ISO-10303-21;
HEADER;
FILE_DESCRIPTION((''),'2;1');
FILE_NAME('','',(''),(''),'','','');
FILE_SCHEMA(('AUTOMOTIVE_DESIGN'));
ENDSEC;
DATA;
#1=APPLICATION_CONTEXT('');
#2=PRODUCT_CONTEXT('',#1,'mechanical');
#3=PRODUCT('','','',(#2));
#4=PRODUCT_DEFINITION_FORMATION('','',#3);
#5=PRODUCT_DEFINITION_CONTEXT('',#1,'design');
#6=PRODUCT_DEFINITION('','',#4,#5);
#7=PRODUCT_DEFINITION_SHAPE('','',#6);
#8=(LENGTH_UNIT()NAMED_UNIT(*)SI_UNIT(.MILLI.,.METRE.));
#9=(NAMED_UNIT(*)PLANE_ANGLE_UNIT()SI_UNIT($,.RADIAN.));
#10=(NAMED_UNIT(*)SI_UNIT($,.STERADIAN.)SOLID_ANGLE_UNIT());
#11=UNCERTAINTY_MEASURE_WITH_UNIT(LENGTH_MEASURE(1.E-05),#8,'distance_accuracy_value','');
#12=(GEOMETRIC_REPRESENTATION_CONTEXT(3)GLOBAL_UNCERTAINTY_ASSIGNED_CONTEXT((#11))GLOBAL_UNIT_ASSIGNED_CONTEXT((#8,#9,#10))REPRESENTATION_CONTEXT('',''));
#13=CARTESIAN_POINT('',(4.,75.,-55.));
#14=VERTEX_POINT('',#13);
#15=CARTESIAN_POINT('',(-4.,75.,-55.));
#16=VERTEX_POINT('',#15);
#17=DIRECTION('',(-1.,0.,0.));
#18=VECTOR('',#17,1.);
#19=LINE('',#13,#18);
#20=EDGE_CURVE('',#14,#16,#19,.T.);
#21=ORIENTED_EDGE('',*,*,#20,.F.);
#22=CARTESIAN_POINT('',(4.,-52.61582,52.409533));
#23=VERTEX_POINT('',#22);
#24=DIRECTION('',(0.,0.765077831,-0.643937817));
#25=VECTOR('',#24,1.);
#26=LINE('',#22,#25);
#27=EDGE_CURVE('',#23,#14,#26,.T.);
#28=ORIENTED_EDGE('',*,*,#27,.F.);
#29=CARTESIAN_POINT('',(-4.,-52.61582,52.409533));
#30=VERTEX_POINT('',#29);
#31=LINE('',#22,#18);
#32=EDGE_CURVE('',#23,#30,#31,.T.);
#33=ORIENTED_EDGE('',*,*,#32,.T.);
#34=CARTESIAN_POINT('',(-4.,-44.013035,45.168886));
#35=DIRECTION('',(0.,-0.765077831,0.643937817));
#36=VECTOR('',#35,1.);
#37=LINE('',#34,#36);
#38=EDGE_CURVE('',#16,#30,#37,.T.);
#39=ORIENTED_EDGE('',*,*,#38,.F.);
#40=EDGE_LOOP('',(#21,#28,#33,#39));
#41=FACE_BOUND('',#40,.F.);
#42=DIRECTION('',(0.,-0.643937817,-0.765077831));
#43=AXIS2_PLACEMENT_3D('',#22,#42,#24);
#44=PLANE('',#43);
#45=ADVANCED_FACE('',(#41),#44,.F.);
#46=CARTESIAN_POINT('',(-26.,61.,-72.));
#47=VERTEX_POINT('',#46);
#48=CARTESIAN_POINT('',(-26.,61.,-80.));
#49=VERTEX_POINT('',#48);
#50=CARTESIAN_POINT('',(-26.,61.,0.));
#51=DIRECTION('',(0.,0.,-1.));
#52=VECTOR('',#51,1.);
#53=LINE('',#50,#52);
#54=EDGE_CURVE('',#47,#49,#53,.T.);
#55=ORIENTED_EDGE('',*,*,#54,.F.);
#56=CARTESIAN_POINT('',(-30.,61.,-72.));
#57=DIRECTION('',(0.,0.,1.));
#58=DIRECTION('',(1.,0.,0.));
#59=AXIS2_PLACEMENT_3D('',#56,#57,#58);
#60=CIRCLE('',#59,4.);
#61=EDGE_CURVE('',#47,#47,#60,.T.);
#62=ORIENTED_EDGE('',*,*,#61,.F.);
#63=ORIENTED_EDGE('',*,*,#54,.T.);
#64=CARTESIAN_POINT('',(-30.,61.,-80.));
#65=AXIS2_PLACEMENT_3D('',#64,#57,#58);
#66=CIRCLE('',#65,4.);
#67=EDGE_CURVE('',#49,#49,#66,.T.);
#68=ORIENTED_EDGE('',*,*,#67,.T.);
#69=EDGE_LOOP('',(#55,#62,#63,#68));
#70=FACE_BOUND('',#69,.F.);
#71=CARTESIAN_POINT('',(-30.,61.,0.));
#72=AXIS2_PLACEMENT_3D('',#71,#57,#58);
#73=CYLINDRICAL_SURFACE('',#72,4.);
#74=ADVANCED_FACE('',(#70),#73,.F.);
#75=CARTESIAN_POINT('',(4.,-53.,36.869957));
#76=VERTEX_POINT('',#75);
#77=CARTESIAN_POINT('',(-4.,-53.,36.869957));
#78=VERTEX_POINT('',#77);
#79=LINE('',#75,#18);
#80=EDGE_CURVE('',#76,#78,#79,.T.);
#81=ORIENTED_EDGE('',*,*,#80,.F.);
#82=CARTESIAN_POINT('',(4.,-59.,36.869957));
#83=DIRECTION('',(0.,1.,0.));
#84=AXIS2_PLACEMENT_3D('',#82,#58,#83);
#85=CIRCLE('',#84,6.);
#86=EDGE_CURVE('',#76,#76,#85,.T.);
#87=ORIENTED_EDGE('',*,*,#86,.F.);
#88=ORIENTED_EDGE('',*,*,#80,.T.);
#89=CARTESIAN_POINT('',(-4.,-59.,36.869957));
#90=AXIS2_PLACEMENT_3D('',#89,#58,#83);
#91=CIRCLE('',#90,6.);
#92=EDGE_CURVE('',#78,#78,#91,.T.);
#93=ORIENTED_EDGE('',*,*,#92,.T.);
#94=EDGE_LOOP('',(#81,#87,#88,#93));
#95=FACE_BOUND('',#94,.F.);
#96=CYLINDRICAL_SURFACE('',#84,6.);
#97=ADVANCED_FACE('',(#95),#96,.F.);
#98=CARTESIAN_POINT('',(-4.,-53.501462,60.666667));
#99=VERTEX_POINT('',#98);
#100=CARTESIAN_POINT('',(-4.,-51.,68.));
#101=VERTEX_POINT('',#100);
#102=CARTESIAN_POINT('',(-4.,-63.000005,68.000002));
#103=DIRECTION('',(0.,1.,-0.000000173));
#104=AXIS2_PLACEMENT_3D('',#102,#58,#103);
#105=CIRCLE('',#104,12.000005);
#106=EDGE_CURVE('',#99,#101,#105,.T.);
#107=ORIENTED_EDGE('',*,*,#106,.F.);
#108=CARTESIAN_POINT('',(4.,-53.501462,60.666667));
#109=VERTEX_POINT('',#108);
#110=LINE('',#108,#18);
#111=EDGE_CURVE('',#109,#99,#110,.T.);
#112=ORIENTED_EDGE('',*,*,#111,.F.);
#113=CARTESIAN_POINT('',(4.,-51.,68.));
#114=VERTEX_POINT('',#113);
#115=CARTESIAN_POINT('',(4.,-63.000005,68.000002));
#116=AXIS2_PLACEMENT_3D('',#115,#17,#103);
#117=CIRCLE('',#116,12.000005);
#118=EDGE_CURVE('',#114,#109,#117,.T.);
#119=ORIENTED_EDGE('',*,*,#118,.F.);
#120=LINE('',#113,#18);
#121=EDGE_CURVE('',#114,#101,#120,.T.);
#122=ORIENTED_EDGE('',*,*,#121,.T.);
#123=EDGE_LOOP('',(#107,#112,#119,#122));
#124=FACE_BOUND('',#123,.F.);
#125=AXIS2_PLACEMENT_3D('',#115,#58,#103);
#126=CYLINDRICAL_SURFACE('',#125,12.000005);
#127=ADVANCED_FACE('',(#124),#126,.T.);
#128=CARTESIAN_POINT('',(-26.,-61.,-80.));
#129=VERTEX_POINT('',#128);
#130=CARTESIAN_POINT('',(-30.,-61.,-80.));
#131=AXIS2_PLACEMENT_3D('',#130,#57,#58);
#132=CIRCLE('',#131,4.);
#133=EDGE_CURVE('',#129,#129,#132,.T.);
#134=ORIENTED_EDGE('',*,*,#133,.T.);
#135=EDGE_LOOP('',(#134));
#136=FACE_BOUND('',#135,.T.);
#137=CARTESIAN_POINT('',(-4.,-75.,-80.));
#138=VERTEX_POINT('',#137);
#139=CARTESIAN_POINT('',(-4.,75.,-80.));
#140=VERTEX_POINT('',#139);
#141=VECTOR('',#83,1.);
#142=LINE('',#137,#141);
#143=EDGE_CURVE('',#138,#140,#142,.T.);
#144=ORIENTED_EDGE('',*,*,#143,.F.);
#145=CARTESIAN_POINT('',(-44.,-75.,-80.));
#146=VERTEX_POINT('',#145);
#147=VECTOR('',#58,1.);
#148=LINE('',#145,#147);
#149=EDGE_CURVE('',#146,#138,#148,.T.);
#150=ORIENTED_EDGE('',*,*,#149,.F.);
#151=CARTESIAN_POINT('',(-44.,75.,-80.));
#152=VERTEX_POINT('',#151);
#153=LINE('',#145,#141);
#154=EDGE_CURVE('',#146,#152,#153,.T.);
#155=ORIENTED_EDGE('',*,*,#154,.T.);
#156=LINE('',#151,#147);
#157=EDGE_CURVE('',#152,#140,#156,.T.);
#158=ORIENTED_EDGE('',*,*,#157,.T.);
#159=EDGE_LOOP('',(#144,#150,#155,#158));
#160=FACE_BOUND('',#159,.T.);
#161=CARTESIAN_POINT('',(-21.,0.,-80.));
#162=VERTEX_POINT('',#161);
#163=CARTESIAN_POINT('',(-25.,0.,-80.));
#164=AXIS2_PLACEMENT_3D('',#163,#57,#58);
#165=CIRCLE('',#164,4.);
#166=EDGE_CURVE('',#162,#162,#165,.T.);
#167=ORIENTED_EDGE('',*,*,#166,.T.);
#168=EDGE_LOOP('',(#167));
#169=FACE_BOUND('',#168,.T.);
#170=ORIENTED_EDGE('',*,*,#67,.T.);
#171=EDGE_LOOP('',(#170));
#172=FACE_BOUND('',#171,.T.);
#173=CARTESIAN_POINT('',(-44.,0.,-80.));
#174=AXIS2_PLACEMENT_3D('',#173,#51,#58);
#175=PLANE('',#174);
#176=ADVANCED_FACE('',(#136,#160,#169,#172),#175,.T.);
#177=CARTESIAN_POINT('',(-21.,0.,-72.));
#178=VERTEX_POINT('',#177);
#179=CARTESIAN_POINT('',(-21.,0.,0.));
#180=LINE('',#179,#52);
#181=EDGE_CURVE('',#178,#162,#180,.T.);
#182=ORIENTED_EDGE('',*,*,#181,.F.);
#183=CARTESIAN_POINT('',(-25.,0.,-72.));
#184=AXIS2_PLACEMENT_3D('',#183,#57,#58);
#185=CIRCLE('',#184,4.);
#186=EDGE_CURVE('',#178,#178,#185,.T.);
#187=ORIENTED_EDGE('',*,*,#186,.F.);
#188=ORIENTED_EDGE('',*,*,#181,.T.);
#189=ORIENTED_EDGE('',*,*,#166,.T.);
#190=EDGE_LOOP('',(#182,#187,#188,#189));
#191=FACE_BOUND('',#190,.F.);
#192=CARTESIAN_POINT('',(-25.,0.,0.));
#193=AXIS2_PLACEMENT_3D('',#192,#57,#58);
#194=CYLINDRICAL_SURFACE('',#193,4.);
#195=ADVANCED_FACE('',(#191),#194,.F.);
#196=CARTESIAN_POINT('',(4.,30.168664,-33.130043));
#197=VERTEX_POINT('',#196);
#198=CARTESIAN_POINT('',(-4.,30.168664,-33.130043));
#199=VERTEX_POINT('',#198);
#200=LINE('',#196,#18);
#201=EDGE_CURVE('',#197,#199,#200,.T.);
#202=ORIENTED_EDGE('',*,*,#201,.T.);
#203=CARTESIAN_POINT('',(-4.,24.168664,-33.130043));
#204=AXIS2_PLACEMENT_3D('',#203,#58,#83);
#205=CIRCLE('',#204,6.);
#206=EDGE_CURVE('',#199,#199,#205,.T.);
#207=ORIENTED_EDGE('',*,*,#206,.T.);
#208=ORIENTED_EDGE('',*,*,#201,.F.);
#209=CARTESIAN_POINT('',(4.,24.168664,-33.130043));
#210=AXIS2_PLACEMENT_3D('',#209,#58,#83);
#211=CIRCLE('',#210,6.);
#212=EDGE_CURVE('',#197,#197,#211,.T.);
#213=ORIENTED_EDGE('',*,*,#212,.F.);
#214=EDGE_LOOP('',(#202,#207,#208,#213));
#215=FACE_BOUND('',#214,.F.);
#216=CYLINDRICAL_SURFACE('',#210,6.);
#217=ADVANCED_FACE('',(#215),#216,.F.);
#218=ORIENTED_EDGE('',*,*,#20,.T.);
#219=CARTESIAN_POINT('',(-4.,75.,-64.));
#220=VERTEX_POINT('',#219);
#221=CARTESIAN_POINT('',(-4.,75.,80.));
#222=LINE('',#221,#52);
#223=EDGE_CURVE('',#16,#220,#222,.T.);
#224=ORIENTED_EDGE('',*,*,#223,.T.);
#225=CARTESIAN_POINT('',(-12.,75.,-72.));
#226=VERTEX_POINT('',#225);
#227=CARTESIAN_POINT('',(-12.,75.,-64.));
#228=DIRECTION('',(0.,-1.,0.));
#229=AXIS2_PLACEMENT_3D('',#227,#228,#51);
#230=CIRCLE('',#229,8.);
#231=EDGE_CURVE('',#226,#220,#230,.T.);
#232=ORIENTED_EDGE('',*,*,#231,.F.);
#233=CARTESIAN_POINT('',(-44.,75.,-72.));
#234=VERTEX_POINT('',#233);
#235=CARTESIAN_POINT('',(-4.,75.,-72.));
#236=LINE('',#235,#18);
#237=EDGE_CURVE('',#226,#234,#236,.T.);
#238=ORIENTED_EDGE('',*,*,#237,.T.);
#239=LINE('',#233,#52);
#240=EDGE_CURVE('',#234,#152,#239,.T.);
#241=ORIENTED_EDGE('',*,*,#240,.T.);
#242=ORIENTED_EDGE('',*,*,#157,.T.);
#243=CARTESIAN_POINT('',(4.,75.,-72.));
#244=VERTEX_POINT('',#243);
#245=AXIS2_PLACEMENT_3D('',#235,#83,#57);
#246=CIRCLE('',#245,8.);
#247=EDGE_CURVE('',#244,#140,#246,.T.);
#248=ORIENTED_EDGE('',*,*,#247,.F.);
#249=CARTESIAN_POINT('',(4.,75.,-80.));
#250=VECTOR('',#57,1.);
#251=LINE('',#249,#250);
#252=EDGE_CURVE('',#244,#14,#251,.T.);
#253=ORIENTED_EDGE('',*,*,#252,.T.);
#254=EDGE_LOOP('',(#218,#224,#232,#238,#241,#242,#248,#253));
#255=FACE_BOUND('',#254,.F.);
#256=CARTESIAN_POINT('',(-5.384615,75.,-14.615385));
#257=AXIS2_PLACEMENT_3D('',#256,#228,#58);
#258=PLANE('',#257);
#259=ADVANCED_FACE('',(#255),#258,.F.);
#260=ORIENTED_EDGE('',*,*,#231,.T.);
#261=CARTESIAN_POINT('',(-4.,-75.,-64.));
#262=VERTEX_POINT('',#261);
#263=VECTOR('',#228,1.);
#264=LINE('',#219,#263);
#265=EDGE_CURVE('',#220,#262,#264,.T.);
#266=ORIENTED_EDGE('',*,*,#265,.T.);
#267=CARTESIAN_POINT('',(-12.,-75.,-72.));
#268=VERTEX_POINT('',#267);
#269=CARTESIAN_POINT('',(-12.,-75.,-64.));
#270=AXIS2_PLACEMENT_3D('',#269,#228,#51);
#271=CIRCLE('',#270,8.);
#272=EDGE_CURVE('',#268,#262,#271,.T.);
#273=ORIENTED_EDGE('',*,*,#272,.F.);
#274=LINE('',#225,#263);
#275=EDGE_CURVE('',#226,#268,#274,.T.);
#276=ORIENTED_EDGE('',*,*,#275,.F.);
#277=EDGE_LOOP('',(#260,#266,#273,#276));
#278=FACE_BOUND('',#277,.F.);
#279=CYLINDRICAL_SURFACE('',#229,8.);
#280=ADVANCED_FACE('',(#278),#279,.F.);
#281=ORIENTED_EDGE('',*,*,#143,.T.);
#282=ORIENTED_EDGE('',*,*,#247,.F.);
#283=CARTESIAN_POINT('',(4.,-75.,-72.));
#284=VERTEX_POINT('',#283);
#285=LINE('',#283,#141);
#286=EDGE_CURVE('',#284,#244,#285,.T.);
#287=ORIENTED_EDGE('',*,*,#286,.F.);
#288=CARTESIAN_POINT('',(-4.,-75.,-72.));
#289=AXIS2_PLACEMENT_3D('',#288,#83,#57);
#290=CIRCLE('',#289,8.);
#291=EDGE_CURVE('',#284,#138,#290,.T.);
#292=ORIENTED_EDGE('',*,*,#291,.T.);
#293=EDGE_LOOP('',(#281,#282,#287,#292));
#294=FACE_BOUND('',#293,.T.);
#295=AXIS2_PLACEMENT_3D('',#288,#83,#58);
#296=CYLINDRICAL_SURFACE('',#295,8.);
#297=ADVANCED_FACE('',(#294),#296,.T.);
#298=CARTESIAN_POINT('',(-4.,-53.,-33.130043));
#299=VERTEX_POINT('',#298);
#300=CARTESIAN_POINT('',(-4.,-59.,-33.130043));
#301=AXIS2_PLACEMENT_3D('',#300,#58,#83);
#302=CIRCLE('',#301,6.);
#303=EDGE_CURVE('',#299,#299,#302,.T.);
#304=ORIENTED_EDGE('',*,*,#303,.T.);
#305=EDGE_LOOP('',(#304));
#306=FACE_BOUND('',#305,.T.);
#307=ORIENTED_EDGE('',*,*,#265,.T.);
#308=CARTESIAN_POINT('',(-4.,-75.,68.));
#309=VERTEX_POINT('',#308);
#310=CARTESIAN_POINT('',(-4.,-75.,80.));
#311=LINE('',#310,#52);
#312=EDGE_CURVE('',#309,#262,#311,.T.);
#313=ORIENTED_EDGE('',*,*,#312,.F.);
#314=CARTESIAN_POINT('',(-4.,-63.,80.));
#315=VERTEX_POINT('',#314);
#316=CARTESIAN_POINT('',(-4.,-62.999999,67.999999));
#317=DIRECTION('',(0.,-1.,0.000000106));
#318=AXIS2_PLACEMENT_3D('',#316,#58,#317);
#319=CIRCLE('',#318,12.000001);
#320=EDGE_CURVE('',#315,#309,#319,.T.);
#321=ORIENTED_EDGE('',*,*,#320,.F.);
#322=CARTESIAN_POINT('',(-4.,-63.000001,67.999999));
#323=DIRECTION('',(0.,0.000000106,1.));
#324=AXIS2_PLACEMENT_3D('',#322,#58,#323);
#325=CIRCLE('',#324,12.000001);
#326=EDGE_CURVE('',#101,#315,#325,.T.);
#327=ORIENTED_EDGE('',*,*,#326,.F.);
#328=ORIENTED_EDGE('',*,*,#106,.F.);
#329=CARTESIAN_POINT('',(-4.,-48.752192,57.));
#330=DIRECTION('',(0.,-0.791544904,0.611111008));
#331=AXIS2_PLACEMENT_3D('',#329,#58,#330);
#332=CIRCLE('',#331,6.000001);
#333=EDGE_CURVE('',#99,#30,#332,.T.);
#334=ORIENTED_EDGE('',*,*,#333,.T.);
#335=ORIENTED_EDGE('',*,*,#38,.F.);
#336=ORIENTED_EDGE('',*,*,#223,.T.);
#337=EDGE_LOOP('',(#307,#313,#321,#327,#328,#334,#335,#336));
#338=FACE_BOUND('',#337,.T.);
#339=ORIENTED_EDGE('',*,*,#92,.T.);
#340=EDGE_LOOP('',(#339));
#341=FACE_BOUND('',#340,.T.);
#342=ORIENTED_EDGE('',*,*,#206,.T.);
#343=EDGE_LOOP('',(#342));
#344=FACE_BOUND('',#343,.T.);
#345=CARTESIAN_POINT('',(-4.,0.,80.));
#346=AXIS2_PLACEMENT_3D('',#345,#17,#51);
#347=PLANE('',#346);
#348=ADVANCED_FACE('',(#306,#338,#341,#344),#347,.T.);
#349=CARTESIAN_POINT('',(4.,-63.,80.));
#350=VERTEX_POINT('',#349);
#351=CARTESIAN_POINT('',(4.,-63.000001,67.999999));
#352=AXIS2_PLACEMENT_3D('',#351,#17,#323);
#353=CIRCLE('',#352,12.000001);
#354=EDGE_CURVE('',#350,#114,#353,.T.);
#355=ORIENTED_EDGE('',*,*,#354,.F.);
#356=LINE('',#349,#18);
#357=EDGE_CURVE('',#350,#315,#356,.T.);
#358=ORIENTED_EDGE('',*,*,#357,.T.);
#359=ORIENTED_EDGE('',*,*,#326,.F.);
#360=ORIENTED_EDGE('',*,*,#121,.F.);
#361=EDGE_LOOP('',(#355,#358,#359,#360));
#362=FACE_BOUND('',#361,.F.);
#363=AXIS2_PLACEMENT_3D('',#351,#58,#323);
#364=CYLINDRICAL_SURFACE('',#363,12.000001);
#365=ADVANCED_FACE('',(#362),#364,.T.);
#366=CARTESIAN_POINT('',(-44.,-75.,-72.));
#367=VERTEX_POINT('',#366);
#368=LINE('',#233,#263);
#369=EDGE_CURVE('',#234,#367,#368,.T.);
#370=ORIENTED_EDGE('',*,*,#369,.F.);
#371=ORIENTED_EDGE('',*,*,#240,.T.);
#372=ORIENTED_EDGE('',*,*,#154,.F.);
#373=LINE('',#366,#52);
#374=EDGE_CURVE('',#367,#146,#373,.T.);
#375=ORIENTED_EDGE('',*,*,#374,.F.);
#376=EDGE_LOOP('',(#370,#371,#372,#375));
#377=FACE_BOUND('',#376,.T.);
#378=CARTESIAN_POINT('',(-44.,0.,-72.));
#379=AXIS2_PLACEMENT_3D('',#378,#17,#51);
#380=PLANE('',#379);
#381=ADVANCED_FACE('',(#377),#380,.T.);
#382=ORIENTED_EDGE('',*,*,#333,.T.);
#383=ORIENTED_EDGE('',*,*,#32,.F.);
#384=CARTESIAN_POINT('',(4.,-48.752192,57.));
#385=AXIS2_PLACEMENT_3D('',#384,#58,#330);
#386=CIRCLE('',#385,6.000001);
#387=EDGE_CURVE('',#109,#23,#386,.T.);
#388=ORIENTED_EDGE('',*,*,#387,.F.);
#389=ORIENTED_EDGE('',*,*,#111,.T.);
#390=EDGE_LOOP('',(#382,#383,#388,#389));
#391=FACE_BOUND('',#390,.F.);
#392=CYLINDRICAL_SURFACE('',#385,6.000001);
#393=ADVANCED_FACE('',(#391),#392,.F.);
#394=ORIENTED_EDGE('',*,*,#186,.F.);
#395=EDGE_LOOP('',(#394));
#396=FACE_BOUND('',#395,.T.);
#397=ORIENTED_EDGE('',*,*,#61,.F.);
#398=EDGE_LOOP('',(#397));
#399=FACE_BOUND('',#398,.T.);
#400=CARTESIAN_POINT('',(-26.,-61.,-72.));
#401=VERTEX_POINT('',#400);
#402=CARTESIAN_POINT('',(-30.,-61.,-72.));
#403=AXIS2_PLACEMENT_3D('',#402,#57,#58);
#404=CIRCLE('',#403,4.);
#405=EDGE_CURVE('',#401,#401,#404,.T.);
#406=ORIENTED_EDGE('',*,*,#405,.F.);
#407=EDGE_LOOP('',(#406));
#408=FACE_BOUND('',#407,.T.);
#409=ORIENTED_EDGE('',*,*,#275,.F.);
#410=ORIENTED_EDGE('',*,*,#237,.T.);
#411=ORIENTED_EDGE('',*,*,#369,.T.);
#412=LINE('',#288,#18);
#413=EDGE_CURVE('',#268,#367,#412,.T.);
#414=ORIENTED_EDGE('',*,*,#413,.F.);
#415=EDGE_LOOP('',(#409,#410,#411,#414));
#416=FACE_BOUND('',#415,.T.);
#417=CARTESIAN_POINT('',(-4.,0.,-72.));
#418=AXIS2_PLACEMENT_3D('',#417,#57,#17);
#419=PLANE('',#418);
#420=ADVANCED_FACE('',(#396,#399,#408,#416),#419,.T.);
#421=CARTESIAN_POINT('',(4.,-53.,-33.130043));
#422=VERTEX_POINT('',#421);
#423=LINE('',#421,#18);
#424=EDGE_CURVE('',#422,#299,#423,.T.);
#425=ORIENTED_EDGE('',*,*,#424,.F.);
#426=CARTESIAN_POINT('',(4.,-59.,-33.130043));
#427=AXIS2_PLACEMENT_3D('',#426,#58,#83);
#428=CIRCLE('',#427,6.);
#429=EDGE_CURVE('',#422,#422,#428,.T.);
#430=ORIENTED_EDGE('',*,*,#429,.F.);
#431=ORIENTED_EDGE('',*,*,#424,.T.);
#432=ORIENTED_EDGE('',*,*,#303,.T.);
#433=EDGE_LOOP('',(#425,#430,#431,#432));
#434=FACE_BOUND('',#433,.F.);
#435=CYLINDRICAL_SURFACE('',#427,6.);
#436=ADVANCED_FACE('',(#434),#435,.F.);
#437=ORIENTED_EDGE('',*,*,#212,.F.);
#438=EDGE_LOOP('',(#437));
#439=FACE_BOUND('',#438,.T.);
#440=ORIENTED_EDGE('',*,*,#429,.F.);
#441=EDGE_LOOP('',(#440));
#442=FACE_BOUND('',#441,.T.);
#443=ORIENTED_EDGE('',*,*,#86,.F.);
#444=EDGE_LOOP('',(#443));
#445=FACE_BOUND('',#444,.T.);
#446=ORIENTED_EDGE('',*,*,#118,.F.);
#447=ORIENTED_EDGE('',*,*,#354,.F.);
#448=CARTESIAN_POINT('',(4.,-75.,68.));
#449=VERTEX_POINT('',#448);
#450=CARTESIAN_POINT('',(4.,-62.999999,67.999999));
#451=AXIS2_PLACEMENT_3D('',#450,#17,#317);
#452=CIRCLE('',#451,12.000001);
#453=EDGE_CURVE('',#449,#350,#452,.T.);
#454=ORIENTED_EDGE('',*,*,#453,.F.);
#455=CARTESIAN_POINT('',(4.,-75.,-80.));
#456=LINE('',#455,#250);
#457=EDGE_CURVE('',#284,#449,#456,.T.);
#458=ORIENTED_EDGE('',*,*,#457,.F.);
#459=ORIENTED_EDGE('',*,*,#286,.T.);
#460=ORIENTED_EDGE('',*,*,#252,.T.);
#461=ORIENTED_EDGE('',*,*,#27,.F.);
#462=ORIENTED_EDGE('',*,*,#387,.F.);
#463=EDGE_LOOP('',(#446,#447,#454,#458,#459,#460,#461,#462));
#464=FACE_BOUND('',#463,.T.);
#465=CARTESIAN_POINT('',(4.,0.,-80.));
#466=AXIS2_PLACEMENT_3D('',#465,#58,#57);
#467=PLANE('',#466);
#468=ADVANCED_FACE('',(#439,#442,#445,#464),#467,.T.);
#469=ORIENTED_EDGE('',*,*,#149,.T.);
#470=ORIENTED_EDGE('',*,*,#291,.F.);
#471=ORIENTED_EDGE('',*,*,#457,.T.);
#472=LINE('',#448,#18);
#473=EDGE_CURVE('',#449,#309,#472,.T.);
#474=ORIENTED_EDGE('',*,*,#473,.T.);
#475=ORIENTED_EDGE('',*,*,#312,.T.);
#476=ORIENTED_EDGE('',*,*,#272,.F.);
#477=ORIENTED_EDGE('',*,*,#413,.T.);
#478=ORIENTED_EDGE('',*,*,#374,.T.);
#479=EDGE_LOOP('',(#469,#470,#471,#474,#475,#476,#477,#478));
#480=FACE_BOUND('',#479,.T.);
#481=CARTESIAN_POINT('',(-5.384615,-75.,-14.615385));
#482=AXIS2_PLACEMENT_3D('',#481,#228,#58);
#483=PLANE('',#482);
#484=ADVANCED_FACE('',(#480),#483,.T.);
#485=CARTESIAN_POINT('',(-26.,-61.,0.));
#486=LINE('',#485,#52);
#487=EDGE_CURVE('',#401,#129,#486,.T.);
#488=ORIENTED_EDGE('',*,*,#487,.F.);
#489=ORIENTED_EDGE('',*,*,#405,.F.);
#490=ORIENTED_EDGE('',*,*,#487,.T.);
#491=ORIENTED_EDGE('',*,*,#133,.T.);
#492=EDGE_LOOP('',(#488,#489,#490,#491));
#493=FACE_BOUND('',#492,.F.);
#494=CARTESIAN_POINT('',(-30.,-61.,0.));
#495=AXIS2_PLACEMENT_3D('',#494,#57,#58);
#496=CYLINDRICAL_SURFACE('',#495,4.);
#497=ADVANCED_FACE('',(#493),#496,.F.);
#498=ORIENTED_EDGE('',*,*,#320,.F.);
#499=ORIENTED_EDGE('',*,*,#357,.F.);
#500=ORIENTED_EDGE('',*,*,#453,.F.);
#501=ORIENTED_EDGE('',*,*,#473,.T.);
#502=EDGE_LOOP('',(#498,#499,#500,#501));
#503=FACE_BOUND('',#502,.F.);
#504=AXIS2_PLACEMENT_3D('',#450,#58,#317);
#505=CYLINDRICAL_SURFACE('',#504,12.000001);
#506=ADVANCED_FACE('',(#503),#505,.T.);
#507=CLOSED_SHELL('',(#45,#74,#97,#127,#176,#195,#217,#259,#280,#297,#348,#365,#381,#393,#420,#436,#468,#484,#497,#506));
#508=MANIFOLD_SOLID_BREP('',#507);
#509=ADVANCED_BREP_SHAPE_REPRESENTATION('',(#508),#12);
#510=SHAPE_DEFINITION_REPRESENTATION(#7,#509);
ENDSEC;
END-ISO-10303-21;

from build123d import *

# Parameters (mm, degrees)
F1_DEPTH = 75
F2_R     = 8
F3_R     = 6
F4_DEPTH = 48.001
F5_R     = 4
F6_DEPTH = 80.001


with BuildPart() as f1:
    # F0 (on Front) → F1 (new body, symmetric)
    with BuildSketch(Plane.XZ):
        Polygon((4, 80), (-4, 80), (-4, -72), (-44, -72), (-44, -80), (4, -80), align=None)
    extrude(amount=F1_DEPTH, both=True)

    # F2
    f2_edges = [f1.edges().sort_by_distance(p)[0] for p in [
        (-4, 0, -72),
        (4, 0, -80),
    ]]
    fillet(f2_edges, radius=F2_R)

    # F3 (on face) → F4 (cut, through all)
    with BuildSketch(Plane.YZ.offset(4)):
        with BuildLine():
            ThreePointArc((-63, 80), (-54.514719, 76.485281), (-51, 68))
            ThreePointArc((-51, 68), (-51.64257, 64.125884), (-53.501462, 60.666667))
            ThreePointArc((-53.501462, 60.666667), (-54.717975, 56.360123), (-52.61582, 52.409533))
            Line((-52.61582, 52.409533), (75, -55))
            Line((75, -55), (75, 80))
            Line((75, 80), (-63, 80))
        make_face()
        with BuildLine():
            ThreePointArc((-75, 68), (-71.485281, 76.485281), (-63, 80))
            Line((-63, 80), (-75, 80))
            Line((-75, 80), (-75, 68))
        make_face()
        with Locations((-59, 36.869957)):
            Circle(F3_R)
        with Locations((-59, -33.130043)):
            Circle(F3_R)
        with Locations((24.168664, -33.130043)):
            Circle(F3_R)
    extrude(amount=-F4_DEPTH, mode=Mode.SUBTRACT)

    # F5 (on Top) → F6 (cut, through all)
    with BuildSketch(Plane.XY):
        with Locations((-30, -61)):
            Circle(F5_R)
        with Locations((-25, 0)):
            Circle(F5_R)
        with Locations((-30, 61)):
            Circle(F5_R)
    extrude(amount=-F6_DEPTH, mode=Mode.SUBTRACT)


solid = f1.part
